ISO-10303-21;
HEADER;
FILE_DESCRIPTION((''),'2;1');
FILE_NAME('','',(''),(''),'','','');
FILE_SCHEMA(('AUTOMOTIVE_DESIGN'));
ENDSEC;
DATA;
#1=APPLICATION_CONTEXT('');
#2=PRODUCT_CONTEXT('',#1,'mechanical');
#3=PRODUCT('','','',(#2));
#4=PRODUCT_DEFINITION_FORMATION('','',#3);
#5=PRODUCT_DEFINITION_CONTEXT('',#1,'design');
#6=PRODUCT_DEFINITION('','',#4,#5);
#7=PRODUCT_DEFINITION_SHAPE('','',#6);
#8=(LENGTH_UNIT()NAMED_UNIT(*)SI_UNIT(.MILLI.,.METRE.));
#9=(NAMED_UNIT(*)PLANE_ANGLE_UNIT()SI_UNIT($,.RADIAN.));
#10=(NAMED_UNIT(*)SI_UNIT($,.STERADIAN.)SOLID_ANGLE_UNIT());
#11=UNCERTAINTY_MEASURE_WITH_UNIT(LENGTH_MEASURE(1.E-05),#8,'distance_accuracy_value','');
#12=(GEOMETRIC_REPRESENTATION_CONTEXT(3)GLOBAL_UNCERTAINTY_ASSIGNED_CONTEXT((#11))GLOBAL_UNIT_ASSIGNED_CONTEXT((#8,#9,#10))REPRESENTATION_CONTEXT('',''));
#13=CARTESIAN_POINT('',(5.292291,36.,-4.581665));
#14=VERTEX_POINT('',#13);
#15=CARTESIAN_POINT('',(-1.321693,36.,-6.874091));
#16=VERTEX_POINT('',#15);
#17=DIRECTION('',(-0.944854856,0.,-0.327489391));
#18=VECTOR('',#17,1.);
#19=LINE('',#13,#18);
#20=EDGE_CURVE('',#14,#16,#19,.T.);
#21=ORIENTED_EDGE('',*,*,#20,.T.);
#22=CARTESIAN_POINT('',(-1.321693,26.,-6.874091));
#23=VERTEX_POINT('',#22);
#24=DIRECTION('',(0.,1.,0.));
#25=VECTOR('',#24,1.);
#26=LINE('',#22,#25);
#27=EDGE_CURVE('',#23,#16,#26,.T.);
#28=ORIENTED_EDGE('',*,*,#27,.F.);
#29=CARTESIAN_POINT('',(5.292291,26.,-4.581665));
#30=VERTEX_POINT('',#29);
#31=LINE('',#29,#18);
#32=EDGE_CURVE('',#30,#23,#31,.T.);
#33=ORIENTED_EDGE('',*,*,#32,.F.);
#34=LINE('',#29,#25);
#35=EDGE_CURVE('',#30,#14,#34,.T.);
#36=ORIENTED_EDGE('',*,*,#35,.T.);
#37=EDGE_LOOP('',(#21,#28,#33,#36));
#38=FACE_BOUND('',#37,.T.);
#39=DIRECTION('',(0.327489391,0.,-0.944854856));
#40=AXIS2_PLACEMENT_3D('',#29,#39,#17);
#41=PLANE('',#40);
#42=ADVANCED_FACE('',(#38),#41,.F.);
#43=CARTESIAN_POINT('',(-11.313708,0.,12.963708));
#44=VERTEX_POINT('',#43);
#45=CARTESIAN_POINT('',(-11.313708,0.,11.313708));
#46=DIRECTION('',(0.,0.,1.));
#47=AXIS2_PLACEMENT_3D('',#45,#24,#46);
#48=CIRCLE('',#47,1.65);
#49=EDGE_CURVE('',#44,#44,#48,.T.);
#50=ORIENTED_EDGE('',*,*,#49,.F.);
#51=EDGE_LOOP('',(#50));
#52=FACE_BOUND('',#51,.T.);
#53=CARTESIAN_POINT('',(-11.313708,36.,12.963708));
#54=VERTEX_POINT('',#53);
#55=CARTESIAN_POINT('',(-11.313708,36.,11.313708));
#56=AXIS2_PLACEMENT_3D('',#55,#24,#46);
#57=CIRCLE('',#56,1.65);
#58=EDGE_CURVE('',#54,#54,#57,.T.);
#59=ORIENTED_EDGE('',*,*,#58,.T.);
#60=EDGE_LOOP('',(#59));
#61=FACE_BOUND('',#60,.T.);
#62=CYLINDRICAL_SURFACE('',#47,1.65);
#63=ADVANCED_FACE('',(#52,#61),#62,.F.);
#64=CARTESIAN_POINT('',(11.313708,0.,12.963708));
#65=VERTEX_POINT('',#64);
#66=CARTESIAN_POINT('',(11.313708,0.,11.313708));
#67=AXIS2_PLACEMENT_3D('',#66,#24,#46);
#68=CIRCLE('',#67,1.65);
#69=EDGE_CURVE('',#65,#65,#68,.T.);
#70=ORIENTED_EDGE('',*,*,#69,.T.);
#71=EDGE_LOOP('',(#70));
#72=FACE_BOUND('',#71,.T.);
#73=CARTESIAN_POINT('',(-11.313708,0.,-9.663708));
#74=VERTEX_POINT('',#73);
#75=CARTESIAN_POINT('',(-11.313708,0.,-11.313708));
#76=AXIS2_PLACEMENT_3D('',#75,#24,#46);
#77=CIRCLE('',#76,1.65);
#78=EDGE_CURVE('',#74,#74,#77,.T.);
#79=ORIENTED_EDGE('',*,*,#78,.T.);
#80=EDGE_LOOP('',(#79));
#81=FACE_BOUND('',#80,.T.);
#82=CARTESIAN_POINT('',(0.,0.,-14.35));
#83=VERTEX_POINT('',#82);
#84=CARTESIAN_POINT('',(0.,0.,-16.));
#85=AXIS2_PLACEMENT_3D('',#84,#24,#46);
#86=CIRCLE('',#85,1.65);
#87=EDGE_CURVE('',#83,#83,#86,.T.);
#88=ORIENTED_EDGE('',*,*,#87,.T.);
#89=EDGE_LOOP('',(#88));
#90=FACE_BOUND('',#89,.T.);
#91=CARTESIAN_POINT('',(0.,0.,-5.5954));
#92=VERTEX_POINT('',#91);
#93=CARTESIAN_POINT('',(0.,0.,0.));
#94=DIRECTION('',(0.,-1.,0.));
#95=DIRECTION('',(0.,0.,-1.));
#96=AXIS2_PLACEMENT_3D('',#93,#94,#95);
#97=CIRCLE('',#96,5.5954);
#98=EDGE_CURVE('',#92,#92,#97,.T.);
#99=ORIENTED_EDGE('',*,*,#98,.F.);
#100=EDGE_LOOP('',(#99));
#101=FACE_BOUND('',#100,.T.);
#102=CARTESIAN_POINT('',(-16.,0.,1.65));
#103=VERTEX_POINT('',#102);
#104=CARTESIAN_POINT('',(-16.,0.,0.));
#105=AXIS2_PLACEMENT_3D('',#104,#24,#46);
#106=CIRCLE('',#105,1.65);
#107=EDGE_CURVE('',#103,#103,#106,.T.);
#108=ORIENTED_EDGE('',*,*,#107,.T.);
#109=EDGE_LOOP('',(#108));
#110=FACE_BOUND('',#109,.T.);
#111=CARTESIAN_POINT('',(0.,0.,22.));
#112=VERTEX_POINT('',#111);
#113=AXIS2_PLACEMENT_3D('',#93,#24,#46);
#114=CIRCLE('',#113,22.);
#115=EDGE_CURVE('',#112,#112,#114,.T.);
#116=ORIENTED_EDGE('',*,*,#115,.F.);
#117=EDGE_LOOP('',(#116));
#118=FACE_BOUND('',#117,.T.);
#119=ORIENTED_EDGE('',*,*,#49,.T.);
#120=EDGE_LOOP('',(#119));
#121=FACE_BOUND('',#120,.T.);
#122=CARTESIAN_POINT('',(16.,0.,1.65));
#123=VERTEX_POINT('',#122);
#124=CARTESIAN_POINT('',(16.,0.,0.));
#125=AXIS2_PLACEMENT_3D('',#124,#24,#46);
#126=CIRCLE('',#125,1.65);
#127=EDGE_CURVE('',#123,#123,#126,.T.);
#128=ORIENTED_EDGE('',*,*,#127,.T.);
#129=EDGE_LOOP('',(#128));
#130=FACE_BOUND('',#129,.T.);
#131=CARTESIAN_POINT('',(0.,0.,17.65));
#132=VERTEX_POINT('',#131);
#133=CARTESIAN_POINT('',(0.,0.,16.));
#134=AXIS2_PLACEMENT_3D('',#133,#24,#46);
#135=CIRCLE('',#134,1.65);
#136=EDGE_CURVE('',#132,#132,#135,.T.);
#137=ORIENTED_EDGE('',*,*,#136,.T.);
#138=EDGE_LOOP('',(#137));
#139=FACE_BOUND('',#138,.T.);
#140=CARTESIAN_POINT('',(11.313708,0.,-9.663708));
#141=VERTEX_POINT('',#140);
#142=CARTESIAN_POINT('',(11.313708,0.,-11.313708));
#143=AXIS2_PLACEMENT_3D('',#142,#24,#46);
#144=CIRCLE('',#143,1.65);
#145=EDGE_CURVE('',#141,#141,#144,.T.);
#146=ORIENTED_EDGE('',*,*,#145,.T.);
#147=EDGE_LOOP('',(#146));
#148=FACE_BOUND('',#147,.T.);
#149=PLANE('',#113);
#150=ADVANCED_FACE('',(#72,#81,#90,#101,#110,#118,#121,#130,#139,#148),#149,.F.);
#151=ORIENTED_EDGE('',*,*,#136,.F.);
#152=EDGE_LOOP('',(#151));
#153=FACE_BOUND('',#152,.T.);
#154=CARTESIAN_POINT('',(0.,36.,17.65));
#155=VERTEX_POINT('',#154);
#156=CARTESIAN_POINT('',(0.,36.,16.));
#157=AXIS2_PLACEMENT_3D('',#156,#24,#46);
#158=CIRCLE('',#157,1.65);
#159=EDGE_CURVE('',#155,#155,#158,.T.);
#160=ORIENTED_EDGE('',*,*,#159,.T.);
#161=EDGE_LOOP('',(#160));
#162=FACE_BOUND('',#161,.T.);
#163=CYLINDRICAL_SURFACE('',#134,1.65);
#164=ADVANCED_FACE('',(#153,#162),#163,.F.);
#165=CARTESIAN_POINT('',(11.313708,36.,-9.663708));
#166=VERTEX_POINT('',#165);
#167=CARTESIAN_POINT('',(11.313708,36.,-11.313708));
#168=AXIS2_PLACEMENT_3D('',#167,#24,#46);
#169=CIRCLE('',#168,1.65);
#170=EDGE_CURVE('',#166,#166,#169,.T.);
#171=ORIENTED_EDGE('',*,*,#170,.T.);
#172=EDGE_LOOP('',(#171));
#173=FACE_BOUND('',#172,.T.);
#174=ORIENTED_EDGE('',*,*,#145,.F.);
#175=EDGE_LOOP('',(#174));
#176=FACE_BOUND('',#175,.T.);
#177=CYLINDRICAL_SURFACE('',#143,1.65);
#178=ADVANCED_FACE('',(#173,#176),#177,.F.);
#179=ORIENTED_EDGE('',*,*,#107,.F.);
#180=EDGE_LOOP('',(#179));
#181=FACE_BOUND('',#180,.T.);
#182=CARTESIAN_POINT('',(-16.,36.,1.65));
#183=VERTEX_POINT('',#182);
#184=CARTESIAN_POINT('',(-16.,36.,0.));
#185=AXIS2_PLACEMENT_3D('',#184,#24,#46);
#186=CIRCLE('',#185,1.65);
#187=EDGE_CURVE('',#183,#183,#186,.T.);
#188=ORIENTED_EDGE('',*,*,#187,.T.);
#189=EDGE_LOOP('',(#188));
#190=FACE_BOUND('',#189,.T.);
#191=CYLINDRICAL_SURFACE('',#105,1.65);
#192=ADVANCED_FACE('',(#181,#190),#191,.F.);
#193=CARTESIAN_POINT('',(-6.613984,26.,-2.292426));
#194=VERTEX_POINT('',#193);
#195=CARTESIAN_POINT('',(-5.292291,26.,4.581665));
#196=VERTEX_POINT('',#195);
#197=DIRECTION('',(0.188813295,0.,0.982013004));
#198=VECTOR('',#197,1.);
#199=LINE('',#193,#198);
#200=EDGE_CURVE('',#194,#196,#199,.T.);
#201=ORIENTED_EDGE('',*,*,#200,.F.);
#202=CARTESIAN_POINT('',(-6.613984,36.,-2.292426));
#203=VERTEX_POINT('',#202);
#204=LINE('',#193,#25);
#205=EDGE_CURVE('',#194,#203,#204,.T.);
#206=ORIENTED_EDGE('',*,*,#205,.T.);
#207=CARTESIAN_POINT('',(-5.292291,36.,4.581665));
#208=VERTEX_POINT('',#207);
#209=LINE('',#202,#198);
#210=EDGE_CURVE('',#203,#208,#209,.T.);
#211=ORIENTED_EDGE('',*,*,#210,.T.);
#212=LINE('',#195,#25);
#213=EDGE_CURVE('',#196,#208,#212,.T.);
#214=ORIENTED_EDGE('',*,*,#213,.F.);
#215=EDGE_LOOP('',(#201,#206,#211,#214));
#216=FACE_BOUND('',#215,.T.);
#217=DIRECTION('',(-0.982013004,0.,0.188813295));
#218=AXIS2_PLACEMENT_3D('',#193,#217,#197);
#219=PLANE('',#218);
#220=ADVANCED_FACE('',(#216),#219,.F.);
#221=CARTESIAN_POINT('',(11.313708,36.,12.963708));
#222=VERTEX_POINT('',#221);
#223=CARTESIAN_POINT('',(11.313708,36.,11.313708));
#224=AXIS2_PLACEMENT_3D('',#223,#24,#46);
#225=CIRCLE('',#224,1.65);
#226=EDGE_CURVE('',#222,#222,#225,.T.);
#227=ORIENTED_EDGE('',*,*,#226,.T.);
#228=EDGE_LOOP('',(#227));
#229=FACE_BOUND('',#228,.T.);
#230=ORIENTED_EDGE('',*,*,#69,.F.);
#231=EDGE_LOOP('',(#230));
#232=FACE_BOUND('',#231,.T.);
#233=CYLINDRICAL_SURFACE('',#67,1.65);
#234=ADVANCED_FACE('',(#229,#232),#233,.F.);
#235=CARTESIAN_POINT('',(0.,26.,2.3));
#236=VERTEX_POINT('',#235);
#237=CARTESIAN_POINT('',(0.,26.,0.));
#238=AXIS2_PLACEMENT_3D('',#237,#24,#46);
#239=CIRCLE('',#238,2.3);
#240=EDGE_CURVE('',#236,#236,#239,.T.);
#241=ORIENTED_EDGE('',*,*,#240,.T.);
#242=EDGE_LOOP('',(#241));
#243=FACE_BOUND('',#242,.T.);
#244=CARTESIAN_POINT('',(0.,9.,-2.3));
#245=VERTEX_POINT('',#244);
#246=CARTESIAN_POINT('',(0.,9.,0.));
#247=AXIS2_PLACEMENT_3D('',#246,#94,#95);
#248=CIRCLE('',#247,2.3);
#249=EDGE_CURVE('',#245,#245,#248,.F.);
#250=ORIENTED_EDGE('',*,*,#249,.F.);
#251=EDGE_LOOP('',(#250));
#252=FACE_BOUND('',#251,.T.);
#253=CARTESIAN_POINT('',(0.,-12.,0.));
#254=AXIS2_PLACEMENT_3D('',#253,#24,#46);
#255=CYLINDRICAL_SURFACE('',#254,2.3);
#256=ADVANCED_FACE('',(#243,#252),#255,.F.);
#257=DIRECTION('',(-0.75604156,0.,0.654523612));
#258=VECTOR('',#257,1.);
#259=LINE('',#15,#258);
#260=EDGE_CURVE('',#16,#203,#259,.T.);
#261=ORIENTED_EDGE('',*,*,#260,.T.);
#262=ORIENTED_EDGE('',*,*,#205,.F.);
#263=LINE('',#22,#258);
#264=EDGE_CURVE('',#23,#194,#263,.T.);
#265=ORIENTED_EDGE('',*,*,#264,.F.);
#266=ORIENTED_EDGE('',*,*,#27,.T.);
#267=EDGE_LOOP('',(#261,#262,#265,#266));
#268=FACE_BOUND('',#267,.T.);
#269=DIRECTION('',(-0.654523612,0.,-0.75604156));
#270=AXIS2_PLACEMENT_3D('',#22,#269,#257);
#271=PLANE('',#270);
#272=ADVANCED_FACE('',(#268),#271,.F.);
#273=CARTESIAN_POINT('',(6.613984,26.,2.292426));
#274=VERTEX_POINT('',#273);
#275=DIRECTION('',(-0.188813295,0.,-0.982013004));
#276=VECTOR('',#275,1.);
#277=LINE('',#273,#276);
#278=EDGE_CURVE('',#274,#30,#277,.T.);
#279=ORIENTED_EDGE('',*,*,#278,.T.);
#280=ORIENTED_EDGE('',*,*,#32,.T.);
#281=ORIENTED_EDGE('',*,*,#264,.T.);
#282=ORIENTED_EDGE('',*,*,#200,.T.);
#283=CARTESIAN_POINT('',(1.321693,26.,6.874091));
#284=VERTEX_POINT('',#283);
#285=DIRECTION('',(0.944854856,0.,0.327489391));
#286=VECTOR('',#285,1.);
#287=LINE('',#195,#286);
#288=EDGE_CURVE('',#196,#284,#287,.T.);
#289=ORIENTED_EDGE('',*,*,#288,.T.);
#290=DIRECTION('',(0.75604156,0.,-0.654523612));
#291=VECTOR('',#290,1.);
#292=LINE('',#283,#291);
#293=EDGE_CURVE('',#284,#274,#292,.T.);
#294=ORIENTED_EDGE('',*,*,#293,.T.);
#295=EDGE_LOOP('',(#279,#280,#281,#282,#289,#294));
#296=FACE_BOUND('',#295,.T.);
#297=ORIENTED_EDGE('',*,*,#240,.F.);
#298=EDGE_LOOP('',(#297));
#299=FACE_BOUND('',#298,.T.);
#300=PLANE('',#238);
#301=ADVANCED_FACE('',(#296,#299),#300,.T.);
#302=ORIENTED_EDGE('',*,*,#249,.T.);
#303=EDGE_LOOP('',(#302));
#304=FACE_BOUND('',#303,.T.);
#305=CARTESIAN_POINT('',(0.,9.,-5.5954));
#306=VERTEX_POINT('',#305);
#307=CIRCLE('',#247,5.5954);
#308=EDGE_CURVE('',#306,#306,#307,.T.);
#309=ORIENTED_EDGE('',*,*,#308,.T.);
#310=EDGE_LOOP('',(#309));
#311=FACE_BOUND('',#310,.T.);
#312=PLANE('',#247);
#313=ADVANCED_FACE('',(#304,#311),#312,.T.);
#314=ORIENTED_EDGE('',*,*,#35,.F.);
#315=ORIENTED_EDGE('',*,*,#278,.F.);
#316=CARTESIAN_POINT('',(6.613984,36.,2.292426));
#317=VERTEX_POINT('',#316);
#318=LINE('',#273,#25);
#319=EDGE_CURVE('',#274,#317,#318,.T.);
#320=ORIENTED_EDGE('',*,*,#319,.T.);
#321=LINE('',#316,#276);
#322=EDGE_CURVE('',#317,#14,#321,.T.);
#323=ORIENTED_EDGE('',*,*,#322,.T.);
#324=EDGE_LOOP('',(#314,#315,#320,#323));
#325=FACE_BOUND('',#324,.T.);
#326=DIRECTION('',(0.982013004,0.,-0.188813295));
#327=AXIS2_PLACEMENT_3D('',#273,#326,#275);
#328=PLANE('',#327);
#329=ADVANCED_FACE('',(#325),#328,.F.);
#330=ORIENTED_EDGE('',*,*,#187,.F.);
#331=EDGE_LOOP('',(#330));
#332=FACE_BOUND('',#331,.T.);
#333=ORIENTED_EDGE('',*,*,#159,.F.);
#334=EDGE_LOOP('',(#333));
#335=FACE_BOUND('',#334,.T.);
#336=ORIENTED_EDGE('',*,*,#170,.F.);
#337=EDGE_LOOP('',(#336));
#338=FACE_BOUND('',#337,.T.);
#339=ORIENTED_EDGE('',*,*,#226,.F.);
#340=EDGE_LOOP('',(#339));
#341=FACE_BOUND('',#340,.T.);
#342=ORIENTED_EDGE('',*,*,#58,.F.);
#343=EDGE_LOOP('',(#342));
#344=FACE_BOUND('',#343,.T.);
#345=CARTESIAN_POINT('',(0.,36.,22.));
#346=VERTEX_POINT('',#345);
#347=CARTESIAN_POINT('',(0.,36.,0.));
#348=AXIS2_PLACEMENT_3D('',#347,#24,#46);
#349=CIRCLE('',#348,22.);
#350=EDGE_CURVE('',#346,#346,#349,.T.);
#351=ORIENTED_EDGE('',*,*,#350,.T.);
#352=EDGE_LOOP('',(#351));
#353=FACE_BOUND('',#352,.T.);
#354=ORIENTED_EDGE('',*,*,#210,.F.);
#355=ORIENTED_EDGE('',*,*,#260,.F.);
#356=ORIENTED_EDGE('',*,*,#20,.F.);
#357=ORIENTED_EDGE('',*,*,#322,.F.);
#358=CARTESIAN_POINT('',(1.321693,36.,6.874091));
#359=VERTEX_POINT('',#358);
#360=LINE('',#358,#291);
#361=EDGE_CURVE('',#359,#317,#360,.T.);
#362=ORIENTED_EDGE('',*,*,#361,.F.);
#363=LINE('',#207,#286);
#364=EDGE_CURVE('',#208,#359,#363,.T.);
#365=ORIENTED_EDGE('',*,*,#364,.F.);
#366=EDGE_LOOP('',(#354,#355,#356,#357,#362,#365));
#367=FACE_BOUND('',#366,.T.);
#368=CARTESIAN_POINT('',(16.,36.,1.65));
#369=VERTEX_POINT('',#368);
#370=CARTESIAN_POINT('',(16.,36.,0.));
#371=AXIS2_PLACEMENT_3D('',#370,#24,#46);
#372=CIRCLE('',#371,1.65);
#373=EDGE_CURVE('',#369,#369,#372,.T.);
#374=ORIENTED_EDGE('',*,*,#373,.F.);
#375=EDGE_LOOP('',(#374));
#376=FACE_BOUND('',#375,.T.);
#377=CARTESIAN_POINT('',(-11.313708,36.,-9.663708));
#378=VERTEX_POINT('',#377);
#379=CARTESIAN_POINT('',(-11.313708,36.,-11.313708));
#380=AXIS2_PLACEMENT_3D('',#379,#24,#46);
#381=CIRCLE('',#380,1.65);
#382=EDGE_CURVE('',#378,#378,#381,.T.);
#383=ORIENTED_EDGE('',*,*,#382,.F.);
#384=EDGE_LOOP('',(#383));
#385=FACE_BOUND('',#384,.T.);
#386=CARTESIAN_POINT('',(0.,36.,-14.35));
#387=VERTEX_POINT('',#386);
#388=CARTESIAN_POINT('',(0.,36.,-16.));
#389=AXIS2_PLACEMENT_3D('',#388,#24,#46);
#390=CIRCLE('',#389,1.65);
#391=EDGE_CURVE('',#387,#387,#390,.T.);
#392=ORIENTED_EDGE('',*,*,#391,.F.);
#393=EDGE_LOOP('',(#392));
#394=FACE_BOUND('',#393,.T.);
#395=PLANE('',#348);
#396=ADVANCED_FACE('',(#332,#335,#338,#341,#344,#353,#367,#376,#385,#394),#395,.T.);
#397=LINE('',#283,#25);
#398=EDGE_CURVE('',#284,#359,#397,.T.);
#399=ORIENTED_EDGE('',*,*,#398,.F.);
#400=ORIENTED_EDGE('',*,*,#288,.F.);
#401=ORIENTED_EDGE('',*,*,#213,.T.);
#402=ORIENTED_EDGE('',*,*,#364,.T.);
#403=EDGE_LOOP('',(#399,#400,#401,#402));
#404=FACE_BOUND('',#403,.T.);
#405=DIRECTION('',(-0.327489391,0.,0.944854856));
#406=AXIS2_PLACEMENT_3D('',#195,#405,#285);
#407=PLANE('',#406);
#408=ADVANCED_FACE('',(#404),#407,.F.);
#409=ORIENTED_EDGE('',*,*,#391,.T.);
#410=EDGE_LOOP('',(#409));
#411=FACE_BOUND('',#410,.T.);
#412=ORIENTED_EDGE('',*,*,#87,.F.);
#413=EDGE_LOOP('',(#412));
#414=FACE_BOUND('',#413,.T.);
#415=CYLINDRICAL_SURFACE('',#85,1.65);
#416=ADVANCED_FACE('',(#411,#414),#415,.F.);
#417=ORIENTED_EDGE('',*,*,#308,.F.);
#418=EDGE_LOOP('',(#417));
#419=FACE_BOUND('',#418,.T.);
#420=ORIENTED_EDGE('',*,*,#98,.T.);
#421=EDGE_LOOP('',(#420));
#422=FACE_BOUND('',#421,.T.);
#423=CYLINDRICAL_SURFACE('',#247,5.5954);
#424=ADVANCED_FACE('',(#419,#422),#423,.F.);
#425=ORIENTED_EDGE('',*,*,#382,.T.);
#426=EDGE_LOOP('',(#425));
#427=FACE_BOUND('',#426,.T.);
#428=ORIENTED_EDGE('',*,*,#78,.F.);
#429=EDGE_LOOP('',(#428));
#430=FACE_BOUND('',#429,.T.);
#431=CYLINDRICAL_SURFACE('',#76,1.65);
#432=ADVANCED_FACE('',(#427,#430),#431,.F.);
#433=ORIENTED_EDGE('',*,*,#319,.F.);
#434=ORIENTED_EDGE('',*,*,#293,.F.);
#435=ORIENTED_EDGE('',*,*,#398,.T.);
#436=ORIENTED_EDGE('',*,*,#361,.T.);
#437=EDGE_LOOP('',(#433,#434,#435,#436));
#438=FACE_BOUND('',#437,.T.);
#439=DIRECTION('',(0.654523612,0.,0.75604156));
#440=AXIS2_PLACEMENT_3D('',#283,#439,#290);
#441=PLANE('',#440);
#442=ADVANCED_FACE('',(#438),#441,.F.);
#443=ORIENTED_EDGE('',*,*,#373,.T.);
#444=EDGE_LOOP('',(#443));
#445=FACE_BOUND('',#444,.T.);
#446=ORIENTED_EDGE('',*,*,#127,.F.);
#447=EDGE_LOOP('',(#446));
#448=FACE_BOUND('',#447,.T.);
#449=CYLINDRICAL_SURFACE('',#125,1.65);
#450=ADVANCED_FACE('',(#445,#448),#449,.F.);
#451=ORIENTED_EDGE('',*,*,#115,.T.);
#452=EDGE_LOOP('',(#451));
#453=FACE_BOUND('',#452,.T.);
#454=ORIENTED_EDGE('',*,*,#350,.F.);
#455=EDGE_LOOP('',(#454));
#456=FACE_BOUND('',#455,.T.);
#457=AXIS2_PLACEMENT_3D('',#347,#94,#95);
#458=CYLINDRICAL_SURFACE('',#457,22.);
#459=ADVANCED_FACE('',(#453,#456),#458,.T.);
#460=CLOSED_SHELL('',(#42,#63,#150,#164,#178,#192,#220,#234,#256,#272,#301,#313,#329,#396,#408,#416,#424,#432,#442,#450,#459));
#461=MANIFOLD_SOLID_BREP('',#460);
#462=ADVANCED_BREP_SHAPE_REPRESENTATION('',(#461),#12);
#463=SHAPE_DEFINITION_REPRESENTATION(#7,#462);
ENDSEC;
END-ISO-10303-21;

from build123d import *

# Parameters (mm, degrees)
SKETCH1_R           = 22
BOSS_EXTRUDE1_DEPTH = 36
SKETCH2_R           = 1.65
CUT_EXTRUDE1_DEPTH  = 36
CUT_EXTRUDE2_DEPTH  = 10
SKETCH4_R           = 2.3
CUT_EXTRUDE3_DEPTH  = 38
SKETCH5_R           = 5.59540043
CUT_EXTRUDE4_DEPTH  = 9


with BuildPart() as part:
    # Sketch1 → Boss-Extrude1 (new body)
    with BuildSketch(Plane(origin=(0, 0, 0), x_dir=(1, 0, 0), z_dir=(0, 1, 0))):
        Circle(SKETCH1_R)
    extrude(amount=BOSS_EXTRUDE1_DEPTH)

    # Sketch2 → Cut-Extrude1 (cut)
    with BuildSketch(Plane(origin=(0, 36, 0), x_dir=(1, 0, 0), z_dir=(0, 1, 0))):
        with Locations((-11.313708499, 11.313708499)):
            Circle(SKETCH2_R)
        with Locations((0, 16)):
            Circle(SKETCH2_R)
        with Locations((16, 0)):
            Circle(SKETCH2_R)
        with Locations((11.313708499, 11.313708499)):
            Circle(SKETCH2_R)
        with Locations((0, -16)):
            Circle(SKETCH2_R)
        with Locations((11.313708499, -11.313708499)):
            Circle(SKETCH2_R)
        with Locations((-16, 0)):
            Circle(SKETCH2_R)
        with Locations((-11.313708499, -11.313708499)):
            Circle(SKETCH2_R)
    extrude(amount=-CUT_EXTRUDE1_DEPTH, mode=Mode.SUBTRACT)

    # Sketch3 → Cut-Extrude2 (cut)
    with BuildSketch(Plane(origin=(0, 36, 0), x_dir=(1, 0, 0), z_dir=(0, 1, 0))):
        Polygon((1.321693068, -6.874091026), (6.613983991, -2.29242574), (5.292290922, 4.581665286), (-1.321693068, 6.874091026), (-6.613983991, 2.29242574), (-5.292290922, -4.581665286), align=None)
    extrude(amount=-CUT_EXTRUDE2_DEPTH, mode=Mode.SUBTRACT)

    # Sketch4 → Cut-Extrude3 (cut)
    with BuildSketch(Plane(origin=(0, 26, 0), x_dir=(1, 0, 0), z_dir=(0, 1, 0))):
        Circle(SKETCH4_R)
    extrude(amount=-CUT_EXTRUDE3_DEPTH, mode=Mode.SUBTRACT)

    # Sketch5 → Cut-Extrude4 (cut)
    with BuildSketch(Plane(origin=(0, 0, 0), x_dir=(-1, 0, 0), z_dir=(0, -1, 0))):
        Circle(SKETCH5_R)
    extrude(amount=-CUT_EXTRUDE4_DEPTH, mode=Mode.SUBTRACT)


solid = part.part
